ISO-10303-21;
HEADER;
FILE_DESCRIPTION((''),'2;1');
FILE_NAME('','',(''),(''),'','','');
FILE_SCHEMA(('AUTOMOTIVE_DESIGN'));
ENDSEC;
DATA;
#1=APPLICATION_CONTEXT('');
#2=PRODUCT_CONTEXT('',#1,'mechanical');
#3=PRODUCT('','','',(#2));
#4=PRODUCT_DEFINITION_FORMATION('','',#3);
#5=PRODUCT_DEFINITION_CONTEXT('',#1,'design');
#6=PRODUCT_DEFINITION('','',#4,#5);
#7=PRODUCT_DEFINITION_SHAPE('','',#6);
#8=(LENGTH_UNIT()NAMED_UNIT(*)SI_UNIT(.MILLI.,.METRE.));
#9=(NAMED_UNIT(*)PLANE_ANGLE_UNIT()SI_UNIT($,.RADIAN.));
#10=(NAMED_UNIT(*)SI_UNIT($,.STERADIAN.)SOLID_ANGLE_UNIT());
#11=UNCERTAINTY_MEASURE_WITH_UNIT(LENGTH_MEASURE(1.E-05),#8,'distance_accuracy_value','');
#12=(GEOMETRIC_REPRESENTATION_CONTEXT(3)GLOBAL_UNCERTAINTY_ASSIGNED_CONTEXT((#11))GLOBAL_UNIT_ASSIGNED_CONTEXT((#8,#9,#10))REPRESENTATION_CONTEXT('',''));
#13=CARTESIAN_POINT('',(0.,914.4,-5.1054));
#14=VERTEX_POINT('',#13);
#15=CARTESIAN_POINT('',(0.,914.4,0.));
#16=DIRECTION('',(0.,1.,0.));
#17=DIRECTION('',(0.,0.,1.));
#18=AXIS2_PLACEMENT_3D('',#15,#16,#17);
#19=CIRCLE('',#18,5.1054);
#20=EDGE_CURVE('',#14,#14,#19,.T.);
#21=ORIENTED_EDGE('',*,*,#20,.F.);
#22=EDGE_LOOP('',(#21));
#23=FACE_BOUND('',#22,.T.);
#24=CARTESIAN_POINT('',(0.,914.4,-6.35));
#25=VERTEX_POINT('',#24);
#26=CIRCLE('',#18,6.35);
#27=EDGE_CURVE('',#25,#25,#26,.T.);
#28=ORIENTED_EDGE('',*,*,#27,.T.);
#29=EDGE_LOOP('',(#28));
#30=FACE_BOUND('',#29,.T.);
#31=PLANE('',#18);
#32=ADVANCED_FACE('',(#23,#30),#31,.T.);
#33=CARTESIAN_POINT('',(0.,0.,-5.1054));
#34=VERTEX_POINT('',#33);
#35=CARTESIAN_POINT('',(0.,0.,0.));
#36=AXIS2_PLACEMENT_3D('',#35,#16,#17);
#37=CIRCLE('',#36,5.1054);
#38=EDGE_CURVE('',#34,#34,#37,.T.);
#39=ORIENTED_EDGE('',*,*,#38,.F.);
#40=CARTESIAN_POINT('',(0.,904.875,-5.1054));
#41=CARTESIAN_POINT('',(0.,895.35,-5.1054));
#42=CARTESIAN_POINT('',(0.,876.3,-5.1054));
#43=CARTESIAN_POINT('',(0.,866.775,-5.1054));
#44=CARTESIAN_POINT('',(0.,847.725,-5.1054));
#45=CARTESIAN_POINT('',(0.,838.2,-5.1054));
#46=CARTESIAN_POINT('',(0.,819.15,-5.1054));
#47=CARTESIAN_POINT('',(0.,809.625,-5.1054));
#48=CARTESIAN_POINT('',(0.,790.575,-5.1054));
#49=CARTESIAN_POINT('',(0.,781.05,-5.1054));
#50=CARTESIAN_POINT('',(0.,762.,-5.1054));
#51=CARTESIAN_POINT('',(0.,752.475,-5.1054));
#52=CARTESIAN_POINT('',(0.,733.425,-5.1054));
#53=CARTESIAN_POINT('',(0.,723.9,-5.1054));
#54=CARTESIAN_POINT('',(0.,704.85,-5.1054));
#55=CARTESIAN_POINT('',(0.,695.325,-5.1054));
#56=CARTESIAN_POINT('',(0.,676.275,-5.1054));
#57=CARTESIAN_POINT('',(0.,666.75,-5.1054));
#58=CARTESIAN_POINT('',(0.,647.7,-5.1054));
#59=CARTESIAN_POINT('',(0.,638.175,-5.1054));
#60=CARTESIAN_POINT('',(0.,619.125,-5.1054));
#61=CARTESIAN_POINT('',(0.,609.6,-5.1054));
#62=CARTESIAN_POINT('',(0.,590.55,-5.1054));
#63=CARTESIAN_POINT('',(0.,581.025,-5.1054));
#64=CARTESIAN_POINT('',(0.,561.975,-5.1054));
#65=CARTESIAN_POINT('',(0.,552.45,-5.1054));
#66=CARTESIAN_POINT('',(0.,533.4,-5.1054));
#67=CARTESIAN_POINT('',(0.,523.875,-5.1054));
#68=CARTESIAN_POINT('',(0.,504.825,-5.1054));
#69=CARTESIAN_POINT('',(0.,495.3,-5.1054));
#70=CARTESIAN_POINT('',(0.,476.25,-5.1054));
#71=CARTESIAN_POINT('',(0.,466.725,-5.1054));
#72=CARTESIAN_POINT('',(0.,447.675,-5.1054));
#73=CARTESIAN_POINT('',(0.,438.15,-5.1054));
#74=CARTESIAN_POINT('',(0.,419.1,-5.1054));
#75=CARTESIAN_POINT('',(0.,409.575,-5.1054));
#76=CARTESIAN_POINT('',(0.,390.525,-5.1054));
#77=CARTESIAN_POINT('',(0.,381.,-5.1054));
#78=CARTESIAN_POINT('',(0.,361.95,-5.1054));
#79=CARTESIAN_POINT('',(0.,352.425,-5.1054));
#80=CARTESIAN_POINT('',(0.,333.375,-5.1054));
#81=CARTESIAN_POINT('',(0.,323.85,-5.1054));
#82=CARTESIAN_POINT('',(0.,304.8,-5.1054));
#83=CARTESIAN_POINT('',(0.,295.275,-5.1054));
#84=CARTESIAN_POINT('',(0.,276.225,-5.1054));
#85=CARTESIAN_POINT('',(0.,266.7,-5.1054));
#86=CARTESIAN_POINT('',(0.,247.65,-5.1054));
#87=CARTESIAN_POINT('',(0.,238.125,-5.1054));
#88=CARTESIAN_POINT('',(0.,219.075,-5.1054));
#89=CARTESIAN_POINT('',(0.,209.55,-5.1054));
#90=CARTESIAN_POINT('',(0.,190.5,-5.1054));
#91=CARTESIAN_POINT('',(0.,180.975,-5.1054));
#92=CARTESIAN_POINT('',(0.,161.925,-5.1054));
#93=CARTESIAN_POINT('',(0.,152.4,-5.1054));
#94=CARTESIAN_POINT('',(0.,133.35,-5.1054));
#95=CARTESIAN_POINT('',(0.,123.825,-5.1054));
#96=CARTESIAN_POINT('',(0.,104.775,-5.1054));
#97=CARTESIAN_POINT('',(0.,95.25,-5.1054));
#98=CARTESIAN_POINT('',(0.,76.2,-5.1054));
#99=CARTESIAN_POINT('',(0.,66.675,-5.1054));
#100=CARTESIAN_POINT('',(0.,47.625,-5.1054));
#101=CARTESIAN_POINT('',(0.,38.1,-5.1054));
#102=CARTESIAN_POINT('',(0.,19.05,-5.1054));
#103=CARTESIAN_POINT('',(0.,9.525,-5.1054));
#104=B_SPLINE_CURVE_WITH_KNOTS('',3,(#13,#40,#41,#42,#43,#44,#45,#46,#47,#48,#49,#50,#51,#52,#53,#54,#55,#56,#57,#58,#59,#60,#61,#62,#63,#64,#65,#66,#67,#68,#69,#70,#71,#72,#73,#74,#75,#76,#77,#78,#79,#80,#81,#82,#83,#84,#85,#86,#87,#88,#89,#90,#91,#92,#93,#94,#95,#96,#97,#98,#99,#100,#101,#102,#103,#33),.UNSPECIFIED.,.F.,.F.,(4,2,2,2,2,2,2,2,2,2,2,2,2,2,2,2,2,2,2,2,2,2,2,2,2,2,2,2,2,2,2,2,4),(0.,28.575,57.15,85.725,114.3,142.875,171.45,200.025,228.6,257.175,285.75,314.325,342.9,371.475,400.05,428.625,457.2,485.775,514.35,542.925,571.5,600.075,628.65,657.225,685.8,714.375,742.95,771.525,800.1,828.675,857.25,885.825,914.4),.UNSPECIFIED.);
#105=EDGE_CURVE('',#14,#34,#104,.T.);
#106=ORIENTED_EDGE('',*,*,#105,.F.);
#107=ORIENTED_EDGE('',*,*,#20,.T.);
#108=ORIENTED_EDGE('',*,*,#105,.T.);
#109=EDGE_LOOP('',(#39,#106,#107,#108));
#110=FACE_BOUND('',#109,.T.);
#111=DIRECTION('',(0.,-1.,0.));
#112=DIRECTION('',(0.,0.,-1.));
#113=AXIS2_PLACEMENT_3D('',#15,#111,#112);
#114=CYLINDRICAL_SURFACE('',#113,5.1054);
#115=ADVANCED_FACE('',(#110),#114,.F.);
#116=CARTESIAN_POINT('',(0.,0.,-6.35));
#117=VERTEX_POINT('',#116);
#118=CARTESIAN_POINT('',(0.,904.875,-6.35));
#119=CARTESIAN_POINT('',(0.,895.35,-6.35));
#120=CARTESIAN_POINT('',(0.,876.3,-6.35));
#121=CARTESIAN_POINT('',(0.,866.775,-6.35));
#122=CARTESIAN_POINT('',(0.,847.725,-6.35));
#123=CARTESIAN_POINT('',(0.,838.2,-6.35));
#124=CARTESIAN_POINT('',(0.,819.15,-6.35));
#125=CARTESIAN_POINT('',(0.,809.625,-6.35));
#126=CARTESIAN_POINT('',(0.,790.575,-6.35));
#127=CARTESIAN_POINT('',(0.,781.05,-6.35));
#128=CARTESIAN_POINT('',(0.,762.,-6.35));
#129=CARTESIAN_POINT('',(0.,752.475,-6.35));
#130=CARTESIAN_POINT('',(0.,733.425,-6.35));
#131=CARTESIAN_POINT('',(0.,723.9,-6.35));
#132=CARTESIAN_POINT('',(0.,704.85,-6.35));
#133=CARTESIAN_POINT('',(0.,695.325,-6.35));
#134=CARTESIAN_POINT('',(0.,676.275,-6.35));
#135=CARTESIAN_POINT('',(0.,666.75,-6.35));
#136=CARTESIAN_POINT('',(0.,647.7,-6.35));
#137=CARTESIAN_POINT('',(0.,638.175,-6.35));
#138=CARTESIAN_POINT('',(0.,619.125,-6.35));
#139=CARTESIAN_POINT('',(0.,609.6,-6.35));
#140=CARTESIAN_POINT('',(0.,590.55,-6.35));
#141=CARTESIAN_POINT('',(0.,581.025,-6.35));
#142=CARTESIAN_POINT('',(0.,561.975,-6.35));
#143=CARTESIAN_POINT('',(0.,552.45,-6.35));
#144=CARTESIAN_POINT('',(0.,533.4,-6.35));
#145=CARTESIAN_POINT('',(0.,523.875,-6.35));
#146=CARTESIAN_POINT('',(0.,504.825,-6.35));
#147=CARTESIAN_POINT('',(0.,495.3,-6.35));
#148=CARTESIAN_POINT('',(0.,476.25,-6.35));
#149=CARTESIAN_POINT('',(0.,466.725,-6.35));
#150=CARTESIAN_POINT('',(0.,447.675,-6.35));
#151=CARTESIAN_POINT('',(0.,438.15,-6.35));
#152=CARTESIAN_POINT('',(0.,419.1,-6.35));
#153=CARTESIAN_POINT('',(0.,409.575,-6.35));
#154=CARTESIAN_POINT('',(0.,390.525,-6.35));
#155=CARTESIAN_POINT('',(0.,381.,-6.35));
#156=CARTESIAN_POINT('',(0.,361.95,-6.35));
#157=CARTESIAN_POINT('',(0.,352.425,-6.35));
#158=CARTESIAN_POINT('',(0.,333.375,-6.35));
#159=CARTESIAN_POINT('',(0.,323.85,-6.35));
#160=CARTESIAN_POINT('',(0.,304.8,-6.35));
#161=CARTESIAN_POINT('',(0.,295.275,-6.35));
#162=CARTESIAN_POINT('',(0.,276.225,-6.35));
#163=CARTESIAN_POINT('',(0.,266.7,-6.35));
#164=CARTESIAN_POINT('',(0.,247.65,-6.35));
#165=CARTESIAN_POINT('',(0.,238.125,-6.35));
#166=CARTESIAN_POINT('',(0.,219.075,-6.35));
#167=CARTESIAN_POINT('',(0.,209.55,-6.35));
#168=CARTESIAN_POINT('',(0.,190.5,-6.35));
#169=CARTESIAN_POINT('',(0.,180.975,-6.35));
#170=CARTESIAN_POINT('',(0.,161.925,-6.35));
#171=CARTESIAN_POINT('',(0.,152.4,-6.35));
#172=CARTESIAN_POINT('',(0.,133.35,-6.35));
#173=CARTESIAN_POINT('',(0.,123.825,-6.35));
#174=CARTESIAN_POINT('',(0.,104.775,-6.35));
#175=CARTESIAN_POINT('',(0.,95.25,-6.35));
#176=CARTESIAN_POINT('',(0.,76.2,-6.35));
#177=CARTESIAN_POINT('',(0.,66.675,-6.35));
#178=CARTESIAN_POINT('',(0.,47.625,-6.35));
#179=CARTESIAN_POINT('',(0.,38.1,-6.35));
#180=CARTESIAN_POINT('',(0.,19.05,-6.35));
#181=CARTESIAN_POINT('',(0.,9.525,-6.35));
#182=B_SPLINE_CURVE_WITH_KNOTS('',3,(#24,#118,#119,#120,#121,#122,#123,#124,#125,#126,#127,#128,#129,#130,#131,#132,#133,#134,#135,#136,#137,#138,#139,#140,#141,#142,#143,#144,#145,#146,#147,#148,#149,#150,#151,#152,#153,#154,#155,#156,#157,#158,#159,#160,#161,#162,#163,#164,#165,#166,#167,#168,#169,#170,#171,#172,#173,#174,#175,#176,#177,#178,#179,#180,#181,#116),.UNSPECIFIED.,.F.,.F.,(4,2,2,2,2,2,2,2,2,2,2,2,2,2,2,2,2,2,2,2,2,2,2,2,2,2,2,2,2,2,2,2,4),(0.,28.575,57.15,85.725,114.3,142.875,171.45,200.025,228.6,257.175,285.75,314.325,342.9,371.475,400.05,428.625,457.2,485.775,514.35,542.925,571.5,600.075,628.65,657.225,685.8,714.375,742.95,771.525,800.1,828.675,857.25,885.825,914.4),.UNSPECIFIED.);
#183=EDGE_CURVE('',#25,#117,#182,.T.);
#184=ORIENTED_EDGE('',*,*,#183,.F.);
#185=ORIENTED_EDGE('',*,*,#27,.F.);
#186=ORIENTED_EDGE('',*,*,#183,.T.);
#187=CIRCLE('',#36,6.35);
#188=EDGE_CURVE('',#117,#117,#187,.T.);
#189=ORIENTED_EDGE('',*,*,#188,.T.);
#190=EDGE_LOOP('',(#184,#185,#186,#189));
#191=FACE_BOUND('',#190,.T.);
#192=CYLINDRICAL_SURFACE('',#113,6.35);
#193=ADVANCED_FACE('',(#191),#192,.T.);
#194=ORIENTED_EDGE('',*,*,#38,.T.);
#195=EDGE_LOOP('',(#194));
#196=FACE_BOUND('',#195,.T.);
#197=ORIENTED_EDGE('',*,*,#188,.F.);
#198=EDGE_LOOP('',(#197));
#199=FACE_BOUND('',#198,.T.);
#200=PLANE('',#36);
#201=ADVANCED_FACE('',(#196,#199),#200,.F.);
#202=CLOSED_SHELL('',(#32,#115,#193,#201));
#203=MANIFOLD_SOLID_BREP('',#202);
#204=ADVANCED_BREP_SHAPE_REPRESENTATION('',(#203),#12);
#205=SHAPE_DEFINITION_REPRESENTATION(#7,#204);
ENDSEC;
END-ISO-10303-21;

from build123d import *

# Parameters (mm, degrees)
SKETCH1_R           = 6.35
SKETCH1_R_2         = 5.1054
BOSS_EXTRUDE1_DEPTH = 914.4


with BuildPart() as part:
    # Sketch1 → Boss-Extrude1 (new body)
    with BuildSketch(Plane(origin=(0, 0, 0), x_dir=(1, 0, 0), z_dir=(0, 1, 0))):
        with Locations(Location((0, 0, 0), (0, 0, 90))):
            Circle(SKETCH1_R)
        with Locations(Location((0, 0, 0), (0, 0, 90))):
            Circle(SKETCH1_R_2, mode=Mode.SUBTRACT)
    extrude(amount=BOSS_EXTRUDE1_DEPTH)


solid = part.part
